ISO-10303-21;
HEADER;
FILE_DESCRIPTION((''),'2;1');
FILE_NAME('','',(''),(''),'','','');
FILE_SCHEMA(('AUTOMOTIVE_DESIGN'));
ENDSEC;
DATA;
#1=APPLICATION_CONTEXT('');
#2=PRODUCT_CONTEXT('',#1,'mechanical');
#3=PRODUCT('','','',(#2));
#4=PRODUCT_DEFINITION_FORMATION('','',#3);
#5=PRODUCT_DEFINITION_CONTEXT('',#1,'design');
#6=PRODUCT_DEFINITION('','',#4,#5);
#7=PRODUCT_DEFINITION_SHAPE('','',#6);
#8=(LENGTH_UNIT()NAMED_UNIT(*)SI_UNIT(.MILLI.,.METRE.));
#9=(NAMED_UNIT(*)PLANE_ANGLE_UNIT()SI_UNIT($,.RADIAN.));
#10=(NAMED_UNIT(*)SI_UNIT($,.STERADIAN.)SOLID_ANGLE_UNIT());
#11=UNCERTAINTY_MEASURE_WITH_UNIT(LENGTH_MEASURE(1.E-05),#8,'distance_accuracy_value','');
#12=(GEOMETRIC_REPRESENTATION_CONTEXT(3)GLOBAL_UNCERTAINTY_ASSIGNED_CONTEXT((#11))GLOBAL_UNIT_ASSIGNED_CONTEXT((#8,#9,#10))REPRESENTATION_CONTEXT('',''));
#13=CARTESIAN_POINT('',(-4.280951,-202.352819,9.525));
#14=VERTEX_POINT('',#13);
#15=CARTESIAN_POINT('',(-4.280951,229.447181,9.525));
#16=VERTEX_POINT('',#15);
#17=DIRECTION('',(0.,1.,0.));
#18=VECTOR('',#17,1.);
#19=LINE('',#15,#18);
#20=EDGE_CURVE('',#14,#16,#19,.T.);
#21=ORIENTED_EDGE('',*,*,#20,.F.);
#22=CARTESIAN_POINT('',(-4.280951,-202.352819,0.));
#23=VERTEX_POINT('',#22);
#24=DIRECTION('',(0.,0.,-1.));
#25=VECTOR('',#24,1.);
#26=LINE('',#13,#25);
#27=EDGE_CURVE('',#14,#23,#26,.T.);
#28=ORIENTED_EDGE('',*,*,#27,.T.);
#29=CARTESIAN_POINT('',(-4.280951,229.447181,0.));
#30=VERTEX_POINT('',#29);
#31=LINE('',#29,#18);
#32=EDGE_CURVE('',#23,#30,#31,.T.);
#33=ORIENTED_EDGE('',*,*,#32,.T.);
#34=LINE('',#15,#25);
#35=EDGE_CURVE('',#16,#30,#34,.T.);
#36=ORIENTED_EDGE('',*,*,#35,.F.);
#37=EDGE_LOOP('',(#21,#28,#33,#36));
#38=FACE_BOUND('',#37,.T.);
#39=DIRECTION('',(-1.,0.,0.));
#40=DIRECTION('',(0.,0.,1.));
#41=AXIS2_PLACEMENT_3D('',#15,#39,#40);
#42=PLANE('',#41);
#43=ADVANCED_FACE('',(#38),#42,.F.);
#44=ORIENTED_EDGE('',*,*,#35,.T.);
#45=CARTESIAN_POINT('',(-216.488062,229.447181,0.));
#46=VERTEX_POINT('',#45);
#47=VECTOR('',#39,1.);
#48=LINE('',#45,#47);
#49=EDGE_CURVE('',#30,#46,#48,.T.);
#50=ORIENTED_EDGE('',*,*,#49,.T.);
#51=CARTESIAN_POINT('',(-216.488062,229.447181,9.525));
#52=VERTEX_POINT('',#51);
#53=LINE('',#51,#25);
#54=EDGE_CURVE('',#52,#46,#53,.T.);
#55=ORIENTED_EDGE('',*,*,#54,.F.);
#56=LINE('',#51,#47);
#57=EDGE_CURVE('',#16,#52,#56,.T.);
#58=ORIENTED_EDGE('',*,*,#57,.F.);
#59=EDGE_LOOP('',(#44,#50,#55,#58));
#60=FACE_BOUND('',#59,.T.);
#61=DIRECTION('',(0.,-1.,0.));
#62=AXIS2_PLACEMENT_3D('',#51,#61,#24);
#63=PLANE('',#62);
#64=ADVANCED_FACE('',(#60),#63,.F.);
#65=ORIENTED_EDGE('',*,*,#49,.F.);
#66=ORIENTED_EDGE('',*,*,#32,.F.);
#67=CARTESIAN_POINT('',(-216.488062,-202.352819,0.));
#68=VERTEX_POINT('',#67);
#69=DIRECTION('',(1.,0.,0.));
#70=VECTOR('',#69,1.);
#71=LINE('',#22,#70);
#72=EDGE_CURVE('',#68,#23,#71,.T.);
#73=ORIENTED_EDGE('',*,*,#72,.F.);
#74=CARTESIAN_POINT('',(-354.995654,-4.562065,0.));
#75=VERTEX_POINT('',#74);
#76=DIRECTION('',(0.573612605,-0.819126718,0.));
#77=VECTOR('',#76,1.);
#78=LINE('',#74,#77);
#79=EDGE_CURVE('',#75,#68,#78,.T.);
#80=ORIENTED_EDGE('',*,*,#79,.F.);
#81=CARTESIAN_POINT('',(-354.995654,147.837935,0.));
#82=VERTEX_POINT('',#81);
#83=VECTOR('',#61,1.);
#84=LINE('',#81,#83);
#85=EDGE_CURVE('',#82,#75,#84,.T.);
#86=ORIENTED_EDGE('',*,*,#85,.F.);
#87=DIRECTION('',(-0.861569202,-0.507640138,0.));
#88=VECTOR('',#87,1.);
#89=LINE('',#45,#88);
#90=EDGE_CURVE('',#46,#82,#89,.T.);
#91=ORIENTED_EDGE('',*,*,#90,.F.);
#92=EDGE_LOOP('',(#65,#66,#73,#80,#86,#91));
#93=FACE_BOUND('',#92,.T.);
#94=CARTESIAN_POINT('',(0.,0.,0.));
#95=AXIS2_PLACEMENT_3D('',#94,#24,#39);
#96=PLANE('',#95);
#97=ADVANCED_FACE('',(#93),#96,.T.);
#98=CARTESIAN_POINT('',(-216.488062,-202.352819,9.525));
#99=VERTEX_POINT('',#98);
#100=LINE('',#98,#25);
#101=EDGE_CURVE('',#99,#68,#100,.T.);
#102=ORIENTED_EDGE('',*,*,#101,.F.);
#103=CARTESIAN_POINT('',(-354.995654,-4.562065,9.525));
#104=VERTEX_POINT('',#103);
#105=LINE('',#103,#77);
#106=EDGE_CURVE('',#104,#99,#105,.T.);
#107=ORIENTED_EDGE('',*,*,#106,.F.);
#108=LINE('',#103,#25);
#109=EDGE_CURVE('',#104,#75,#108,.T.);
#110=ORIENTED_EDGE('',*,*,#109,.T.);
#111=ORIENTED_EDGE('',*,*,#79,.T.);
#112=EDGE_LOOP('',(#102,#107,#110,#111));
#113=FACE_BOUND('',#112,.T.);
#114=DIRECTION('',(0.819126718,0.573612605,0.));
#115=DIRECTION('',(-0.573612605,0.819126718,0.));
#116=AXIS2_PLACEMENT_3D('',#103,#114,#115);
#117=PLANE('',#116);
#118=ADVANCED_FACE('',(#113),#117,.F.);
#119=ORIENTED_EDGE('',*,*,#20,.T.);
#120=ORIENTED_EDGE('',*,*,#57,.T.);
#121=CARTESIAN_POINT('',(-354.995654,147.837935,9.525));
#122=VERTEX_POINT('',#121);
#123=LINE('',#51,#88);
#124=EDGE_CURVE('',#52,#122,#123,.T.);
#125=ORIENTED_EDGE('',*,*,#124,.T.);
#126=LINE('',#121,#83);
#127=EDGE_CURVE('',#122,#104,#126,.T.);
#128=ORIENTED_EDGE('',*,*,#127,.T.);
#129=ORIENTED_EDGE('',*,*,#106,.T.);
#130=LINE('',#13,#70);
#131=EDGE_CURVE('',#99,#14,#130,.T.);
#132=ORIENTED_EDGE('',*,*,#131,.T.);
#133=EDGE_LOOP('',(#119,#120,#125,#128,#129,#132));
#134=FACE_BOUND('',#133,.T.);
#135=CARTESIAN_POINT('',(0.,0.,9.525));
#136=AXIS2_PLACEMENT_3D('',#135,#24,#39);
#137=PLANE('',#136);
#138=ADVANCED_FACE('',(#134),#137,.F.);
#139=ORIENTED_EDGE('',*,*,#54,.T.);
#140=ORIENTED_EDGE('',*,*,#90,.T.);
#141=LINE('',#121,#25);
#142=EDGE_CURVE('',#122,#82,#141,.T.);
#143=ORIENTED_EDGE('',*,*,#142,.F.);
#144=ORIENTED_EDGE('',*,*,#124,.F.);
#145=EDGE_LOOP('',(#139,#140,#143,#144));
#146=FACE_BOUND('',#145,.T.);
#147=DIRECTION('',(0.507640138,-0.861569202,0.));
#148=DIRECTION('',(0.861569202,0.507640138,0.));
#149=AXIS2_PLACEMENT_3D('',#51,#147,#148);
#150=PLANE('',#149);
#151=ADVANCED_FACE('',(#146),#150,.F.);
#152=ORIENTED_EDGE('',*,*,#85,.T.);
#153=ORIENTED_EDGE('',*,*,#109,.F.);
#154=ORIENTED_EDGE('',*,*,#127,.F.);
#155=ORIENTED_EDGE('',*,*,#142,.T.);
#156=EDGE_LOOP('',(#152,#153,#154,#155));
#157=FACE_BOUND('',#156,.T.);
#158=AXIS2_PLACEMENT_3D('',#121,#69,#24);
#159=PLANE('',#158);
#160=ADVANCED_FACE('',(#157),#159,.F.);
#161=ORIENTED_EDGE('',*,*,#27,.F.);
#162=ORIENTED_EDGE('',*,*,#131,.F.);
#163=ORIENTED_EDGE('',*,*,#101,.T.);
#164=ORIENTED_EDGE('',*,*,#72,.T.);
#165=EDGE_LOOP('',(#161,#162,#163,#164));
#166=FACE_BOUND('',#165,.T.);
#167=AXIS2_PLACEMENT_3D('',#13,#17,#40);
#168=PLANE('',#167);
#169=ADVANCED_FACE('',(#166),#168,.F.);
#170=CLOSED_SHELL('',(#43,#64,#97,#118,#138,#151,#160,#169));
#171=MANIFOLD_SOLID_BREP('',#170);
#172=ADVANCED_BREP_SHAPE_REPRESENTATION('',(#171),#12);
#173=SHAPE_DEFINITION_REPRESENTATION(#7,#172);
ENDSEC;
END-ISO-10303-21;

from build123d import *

# Parameters (mm, degrees)
BOSS_EXTRUDE1_DEPTH = 9.525


with BuildPart() as part:
    # Sketch1 → Boss-Extrude1 (new body)
    with BuildSketch(Plane.XY):
        Polygon((-4.280950931, -202.352818846), (-216.488062196, -202.352818846), (-354.995654443, -4.562065129), (-354.995654443, 147.837934871), (-216.488062196, 229.447181154), (-4.280950931, 229.447181154), align=None)
    extrude(amount=BOSS_EXTRUDE1_DEPTH)


solid = part.part
